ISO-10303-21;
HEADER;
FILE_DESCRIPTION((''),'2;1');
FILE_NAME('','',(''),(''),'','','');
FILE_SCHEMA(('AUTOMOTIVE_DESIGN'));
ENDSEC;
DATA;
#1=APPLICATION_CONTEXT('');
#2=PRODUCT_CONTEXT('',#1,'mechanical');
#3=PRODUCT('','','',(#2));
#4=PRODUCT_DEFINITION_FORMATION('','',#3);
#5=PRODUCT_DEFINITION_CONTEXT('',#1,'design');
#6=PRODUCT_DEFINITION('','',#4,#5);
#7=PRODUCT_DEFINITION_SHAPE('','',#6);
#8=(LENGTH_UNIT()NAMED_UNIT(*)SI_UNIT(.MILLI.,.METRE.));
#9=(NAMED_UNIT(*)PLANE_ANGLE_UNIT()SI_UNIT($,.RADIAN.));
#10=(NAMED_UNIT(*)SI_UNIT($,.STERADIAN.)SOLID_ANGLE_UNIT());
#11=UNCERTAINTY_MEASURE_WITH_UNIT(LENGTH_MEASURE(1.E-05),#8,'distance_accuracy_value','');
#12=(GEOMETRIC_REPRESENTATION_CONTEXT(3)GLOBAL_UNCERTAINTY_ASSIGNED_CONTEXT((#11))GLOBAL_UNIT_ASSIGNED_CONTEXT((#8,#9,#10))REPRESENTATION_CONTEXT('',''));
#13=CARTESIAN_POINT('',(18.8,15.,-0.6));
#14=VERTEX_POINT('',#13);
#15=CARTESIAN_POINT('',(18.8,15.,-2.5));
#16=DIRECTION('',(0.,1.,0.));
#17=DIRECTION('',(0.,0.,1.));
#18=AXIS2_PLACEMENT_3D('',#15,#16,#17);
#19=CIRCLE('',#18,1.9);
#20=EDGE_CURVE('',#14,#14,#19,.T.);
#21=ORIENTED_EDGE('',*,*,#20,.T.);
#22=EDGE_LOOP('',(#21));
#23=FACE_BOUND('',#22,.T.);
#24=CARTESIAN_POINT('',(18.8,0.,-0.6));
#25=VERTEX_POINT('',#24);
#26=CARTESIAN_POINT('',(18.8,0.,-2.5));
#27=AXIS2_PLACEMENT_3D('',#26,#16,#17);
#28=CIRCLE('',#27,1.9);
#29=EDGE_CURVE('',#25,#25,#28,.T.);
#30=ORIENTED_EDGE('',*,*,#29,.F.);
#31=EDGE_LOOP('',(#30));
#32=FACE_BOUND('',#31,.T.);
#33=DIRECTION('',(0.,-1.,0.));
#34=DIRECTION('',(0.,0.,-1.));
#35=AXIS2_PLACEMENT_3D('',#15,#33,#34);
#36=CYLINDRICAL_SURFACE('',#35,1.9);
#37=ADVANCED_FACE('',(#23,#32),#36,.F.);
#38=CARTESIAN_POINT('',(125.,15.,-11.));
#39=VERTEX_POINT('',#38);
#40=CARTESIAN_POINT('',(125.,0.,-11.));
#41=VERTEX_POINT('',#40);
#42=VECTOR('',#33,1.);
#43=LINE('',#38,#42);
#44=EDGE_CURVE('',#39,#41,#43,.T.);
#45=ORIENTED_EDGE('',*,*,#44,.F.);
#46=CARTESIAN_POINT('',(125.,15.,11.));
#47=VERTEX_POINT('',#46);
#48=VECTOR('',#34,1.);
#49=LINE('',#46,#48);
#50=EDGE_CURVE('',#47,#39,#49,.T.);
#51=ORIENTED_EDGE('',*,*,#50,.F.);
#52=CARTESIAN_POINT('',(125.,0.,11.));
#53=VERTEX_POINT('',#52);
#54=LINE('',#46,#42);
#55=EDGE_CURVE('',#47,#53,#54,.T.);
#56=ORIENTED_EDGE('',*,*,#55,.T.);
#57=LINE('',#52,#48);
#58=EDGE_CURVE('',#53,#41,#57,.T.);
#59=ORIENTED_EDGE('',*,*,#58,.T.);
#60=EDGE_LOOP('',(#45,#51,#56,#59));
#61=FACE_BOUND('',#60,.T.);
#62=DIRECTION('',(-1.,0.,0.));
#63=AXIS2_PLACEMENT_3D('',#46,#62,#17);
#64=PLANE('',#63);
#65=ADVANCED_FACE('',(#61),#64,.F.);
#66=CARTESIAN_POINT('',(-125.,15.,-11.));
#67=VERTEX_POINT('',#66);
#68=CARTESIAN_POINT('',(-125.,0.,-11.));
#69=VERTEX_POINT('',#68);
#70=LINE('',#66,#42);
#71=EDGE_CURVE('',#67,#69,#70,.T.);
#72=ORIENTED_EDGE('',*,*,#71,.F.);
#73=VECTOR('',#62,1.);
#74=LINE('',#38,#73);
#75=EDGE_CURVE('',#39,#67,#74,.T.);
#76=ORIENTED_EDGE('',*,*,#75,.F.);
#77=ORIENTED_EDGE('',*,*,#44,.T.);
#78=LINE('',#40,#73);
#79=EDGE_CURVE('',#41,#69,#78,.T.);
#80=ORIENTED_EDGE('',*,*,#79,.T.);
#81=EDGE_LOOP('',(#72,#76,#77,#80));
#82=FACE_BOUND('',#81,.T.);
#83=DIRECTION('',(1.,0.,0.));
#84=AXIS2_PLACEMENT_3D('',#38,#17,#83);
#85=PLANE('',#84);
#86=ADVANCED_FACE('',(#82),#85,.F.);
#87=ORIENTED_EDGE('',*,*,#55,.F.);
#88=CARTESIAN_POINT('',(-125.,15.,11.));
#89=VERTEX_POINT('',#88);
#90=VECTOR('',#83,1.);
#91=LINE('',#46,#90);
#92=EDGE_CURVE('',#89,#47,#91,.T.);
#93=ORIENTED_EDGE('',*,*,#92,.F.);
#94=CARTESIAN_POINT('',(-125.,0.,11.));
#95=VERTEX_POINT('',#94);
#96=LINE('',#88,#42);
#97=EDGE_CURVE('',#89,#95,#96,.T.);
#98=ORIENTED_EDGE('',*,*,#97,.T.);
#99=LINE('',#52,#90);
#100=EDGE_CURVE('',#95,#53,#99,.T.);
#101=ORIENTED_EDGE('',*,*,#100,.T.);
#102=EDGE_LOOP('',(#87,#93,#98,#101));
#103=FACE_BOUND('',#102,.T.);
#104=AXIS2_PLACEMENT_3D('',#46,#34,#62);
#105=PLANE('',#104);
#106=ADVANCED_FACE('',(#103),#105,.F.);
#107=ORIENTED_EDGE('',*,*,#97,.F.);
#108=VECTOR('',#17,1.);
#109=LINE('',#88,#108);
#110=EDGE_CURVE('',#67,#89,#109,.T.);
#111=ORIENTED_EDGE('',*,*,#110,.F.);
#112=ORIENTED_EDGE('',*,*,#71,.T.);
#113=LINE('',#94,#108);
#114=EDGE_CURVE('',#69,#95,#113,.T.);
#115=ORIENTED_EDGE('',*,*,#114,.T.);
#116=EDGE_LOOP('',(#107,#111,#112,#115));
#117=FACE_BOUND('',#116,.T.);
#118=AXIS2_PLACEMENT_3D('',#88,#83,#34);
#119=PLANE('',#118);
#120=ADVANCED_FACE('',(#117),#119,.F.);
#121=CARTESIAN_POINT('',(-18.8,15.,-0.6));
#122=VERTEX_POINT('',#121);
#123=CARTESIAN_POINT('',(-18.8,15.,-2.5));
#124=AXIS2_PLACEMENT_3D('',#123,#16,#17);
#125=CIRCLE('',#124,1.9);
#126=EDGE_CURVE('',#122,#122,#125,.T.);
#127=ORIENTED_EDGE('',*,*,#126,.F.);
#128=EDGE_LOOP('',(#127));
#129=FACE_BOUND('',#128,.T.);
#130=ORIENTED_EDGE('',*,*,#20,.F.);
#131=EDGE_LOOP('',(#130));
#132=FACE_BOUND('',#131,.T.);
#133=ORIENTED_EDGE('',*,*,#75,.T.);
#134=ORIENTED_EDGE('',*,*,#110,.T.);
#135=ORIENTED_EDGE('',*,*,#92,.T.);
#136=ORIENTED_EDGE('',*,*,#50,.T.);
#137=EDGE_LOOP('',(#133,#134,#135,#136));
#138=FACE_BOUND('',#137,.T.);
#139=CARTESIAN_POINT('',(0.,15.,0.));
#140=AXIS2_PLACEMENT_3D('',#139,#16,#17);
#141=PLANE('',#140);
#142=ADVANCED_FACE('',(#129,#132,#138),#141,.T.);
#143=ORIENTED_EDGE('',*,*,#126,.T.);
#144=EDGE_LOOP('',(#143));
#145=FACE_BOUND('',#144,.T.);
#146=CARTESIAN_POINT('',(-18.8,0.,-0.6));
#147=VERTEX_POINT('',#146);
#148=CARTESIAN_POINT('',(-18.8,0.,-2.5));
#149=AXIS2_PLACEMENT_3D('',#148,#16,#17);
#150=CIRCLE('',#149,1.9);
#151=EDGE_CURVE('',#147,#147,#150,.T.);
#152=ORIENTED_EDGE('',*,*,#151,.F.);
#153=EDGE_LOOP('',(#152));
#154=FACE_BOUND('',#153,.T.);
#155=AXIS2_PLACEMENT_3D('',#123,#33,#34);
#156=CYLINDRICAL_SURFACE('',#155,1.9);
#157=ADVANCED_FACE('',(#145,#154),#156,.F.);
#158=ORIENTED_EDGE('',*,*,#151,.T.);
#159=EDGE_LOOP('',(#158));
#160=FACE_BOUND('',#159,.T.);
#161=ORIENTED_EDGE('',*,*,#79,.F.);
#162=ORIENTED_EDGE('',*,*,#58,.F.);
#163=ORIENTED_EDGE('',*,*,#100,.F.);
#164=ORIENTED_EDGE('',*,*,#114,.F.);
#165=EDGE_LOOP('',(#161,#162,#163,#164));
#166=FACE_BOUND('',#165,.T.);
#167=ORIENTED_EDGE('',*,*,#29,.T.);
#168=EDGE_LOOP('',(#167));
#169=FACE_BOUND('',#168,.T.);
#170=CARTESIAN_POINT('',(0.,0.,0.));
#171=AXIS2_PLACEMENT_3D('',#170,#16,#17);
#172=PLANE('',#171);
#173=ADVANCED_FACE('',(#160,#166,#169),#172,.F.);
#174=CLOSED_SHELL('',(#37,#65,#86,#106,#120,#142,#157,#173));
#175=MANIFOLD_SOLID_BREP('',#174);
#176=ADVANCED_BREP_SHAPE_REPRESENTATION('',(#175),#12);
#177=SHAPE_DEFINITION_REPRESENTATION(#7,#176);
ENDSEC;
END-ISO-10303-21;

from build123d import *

# Parameters (mm, degrees)
CROQUIS1_W              = 250
CROQUIS1_H              = 22
CROQUIS1_R              = 1.9
SALIENTE_EXTRUIR1_DEPTH = 15


with BuildPart() as part:
    # Croquis1 → Saliente-Extruir1 (new body)
    with BuildSketch(Plane(origin=(0, 0, 0), x_dir=(1, 0, 0), z_dir=(0, 1, 0))):
        Rectangle(CROQUIS1_W, CROQUIS1_H)
        with Locations(Location((-18.8, 2.5, 0), (0, 0, 270))):
            Circle(CROQUIS1_R, mode=Mode.SUBTRACT)
        with Locations(Location((18.8, 2.5, 0), (0, 0, 270))):
            Circle(CROQUIS1_R, mode=Mode.SUBTRACT)
    extrude(amount=SALIENTE_EXTRUIR1_DEPTH)


solid = part.part
